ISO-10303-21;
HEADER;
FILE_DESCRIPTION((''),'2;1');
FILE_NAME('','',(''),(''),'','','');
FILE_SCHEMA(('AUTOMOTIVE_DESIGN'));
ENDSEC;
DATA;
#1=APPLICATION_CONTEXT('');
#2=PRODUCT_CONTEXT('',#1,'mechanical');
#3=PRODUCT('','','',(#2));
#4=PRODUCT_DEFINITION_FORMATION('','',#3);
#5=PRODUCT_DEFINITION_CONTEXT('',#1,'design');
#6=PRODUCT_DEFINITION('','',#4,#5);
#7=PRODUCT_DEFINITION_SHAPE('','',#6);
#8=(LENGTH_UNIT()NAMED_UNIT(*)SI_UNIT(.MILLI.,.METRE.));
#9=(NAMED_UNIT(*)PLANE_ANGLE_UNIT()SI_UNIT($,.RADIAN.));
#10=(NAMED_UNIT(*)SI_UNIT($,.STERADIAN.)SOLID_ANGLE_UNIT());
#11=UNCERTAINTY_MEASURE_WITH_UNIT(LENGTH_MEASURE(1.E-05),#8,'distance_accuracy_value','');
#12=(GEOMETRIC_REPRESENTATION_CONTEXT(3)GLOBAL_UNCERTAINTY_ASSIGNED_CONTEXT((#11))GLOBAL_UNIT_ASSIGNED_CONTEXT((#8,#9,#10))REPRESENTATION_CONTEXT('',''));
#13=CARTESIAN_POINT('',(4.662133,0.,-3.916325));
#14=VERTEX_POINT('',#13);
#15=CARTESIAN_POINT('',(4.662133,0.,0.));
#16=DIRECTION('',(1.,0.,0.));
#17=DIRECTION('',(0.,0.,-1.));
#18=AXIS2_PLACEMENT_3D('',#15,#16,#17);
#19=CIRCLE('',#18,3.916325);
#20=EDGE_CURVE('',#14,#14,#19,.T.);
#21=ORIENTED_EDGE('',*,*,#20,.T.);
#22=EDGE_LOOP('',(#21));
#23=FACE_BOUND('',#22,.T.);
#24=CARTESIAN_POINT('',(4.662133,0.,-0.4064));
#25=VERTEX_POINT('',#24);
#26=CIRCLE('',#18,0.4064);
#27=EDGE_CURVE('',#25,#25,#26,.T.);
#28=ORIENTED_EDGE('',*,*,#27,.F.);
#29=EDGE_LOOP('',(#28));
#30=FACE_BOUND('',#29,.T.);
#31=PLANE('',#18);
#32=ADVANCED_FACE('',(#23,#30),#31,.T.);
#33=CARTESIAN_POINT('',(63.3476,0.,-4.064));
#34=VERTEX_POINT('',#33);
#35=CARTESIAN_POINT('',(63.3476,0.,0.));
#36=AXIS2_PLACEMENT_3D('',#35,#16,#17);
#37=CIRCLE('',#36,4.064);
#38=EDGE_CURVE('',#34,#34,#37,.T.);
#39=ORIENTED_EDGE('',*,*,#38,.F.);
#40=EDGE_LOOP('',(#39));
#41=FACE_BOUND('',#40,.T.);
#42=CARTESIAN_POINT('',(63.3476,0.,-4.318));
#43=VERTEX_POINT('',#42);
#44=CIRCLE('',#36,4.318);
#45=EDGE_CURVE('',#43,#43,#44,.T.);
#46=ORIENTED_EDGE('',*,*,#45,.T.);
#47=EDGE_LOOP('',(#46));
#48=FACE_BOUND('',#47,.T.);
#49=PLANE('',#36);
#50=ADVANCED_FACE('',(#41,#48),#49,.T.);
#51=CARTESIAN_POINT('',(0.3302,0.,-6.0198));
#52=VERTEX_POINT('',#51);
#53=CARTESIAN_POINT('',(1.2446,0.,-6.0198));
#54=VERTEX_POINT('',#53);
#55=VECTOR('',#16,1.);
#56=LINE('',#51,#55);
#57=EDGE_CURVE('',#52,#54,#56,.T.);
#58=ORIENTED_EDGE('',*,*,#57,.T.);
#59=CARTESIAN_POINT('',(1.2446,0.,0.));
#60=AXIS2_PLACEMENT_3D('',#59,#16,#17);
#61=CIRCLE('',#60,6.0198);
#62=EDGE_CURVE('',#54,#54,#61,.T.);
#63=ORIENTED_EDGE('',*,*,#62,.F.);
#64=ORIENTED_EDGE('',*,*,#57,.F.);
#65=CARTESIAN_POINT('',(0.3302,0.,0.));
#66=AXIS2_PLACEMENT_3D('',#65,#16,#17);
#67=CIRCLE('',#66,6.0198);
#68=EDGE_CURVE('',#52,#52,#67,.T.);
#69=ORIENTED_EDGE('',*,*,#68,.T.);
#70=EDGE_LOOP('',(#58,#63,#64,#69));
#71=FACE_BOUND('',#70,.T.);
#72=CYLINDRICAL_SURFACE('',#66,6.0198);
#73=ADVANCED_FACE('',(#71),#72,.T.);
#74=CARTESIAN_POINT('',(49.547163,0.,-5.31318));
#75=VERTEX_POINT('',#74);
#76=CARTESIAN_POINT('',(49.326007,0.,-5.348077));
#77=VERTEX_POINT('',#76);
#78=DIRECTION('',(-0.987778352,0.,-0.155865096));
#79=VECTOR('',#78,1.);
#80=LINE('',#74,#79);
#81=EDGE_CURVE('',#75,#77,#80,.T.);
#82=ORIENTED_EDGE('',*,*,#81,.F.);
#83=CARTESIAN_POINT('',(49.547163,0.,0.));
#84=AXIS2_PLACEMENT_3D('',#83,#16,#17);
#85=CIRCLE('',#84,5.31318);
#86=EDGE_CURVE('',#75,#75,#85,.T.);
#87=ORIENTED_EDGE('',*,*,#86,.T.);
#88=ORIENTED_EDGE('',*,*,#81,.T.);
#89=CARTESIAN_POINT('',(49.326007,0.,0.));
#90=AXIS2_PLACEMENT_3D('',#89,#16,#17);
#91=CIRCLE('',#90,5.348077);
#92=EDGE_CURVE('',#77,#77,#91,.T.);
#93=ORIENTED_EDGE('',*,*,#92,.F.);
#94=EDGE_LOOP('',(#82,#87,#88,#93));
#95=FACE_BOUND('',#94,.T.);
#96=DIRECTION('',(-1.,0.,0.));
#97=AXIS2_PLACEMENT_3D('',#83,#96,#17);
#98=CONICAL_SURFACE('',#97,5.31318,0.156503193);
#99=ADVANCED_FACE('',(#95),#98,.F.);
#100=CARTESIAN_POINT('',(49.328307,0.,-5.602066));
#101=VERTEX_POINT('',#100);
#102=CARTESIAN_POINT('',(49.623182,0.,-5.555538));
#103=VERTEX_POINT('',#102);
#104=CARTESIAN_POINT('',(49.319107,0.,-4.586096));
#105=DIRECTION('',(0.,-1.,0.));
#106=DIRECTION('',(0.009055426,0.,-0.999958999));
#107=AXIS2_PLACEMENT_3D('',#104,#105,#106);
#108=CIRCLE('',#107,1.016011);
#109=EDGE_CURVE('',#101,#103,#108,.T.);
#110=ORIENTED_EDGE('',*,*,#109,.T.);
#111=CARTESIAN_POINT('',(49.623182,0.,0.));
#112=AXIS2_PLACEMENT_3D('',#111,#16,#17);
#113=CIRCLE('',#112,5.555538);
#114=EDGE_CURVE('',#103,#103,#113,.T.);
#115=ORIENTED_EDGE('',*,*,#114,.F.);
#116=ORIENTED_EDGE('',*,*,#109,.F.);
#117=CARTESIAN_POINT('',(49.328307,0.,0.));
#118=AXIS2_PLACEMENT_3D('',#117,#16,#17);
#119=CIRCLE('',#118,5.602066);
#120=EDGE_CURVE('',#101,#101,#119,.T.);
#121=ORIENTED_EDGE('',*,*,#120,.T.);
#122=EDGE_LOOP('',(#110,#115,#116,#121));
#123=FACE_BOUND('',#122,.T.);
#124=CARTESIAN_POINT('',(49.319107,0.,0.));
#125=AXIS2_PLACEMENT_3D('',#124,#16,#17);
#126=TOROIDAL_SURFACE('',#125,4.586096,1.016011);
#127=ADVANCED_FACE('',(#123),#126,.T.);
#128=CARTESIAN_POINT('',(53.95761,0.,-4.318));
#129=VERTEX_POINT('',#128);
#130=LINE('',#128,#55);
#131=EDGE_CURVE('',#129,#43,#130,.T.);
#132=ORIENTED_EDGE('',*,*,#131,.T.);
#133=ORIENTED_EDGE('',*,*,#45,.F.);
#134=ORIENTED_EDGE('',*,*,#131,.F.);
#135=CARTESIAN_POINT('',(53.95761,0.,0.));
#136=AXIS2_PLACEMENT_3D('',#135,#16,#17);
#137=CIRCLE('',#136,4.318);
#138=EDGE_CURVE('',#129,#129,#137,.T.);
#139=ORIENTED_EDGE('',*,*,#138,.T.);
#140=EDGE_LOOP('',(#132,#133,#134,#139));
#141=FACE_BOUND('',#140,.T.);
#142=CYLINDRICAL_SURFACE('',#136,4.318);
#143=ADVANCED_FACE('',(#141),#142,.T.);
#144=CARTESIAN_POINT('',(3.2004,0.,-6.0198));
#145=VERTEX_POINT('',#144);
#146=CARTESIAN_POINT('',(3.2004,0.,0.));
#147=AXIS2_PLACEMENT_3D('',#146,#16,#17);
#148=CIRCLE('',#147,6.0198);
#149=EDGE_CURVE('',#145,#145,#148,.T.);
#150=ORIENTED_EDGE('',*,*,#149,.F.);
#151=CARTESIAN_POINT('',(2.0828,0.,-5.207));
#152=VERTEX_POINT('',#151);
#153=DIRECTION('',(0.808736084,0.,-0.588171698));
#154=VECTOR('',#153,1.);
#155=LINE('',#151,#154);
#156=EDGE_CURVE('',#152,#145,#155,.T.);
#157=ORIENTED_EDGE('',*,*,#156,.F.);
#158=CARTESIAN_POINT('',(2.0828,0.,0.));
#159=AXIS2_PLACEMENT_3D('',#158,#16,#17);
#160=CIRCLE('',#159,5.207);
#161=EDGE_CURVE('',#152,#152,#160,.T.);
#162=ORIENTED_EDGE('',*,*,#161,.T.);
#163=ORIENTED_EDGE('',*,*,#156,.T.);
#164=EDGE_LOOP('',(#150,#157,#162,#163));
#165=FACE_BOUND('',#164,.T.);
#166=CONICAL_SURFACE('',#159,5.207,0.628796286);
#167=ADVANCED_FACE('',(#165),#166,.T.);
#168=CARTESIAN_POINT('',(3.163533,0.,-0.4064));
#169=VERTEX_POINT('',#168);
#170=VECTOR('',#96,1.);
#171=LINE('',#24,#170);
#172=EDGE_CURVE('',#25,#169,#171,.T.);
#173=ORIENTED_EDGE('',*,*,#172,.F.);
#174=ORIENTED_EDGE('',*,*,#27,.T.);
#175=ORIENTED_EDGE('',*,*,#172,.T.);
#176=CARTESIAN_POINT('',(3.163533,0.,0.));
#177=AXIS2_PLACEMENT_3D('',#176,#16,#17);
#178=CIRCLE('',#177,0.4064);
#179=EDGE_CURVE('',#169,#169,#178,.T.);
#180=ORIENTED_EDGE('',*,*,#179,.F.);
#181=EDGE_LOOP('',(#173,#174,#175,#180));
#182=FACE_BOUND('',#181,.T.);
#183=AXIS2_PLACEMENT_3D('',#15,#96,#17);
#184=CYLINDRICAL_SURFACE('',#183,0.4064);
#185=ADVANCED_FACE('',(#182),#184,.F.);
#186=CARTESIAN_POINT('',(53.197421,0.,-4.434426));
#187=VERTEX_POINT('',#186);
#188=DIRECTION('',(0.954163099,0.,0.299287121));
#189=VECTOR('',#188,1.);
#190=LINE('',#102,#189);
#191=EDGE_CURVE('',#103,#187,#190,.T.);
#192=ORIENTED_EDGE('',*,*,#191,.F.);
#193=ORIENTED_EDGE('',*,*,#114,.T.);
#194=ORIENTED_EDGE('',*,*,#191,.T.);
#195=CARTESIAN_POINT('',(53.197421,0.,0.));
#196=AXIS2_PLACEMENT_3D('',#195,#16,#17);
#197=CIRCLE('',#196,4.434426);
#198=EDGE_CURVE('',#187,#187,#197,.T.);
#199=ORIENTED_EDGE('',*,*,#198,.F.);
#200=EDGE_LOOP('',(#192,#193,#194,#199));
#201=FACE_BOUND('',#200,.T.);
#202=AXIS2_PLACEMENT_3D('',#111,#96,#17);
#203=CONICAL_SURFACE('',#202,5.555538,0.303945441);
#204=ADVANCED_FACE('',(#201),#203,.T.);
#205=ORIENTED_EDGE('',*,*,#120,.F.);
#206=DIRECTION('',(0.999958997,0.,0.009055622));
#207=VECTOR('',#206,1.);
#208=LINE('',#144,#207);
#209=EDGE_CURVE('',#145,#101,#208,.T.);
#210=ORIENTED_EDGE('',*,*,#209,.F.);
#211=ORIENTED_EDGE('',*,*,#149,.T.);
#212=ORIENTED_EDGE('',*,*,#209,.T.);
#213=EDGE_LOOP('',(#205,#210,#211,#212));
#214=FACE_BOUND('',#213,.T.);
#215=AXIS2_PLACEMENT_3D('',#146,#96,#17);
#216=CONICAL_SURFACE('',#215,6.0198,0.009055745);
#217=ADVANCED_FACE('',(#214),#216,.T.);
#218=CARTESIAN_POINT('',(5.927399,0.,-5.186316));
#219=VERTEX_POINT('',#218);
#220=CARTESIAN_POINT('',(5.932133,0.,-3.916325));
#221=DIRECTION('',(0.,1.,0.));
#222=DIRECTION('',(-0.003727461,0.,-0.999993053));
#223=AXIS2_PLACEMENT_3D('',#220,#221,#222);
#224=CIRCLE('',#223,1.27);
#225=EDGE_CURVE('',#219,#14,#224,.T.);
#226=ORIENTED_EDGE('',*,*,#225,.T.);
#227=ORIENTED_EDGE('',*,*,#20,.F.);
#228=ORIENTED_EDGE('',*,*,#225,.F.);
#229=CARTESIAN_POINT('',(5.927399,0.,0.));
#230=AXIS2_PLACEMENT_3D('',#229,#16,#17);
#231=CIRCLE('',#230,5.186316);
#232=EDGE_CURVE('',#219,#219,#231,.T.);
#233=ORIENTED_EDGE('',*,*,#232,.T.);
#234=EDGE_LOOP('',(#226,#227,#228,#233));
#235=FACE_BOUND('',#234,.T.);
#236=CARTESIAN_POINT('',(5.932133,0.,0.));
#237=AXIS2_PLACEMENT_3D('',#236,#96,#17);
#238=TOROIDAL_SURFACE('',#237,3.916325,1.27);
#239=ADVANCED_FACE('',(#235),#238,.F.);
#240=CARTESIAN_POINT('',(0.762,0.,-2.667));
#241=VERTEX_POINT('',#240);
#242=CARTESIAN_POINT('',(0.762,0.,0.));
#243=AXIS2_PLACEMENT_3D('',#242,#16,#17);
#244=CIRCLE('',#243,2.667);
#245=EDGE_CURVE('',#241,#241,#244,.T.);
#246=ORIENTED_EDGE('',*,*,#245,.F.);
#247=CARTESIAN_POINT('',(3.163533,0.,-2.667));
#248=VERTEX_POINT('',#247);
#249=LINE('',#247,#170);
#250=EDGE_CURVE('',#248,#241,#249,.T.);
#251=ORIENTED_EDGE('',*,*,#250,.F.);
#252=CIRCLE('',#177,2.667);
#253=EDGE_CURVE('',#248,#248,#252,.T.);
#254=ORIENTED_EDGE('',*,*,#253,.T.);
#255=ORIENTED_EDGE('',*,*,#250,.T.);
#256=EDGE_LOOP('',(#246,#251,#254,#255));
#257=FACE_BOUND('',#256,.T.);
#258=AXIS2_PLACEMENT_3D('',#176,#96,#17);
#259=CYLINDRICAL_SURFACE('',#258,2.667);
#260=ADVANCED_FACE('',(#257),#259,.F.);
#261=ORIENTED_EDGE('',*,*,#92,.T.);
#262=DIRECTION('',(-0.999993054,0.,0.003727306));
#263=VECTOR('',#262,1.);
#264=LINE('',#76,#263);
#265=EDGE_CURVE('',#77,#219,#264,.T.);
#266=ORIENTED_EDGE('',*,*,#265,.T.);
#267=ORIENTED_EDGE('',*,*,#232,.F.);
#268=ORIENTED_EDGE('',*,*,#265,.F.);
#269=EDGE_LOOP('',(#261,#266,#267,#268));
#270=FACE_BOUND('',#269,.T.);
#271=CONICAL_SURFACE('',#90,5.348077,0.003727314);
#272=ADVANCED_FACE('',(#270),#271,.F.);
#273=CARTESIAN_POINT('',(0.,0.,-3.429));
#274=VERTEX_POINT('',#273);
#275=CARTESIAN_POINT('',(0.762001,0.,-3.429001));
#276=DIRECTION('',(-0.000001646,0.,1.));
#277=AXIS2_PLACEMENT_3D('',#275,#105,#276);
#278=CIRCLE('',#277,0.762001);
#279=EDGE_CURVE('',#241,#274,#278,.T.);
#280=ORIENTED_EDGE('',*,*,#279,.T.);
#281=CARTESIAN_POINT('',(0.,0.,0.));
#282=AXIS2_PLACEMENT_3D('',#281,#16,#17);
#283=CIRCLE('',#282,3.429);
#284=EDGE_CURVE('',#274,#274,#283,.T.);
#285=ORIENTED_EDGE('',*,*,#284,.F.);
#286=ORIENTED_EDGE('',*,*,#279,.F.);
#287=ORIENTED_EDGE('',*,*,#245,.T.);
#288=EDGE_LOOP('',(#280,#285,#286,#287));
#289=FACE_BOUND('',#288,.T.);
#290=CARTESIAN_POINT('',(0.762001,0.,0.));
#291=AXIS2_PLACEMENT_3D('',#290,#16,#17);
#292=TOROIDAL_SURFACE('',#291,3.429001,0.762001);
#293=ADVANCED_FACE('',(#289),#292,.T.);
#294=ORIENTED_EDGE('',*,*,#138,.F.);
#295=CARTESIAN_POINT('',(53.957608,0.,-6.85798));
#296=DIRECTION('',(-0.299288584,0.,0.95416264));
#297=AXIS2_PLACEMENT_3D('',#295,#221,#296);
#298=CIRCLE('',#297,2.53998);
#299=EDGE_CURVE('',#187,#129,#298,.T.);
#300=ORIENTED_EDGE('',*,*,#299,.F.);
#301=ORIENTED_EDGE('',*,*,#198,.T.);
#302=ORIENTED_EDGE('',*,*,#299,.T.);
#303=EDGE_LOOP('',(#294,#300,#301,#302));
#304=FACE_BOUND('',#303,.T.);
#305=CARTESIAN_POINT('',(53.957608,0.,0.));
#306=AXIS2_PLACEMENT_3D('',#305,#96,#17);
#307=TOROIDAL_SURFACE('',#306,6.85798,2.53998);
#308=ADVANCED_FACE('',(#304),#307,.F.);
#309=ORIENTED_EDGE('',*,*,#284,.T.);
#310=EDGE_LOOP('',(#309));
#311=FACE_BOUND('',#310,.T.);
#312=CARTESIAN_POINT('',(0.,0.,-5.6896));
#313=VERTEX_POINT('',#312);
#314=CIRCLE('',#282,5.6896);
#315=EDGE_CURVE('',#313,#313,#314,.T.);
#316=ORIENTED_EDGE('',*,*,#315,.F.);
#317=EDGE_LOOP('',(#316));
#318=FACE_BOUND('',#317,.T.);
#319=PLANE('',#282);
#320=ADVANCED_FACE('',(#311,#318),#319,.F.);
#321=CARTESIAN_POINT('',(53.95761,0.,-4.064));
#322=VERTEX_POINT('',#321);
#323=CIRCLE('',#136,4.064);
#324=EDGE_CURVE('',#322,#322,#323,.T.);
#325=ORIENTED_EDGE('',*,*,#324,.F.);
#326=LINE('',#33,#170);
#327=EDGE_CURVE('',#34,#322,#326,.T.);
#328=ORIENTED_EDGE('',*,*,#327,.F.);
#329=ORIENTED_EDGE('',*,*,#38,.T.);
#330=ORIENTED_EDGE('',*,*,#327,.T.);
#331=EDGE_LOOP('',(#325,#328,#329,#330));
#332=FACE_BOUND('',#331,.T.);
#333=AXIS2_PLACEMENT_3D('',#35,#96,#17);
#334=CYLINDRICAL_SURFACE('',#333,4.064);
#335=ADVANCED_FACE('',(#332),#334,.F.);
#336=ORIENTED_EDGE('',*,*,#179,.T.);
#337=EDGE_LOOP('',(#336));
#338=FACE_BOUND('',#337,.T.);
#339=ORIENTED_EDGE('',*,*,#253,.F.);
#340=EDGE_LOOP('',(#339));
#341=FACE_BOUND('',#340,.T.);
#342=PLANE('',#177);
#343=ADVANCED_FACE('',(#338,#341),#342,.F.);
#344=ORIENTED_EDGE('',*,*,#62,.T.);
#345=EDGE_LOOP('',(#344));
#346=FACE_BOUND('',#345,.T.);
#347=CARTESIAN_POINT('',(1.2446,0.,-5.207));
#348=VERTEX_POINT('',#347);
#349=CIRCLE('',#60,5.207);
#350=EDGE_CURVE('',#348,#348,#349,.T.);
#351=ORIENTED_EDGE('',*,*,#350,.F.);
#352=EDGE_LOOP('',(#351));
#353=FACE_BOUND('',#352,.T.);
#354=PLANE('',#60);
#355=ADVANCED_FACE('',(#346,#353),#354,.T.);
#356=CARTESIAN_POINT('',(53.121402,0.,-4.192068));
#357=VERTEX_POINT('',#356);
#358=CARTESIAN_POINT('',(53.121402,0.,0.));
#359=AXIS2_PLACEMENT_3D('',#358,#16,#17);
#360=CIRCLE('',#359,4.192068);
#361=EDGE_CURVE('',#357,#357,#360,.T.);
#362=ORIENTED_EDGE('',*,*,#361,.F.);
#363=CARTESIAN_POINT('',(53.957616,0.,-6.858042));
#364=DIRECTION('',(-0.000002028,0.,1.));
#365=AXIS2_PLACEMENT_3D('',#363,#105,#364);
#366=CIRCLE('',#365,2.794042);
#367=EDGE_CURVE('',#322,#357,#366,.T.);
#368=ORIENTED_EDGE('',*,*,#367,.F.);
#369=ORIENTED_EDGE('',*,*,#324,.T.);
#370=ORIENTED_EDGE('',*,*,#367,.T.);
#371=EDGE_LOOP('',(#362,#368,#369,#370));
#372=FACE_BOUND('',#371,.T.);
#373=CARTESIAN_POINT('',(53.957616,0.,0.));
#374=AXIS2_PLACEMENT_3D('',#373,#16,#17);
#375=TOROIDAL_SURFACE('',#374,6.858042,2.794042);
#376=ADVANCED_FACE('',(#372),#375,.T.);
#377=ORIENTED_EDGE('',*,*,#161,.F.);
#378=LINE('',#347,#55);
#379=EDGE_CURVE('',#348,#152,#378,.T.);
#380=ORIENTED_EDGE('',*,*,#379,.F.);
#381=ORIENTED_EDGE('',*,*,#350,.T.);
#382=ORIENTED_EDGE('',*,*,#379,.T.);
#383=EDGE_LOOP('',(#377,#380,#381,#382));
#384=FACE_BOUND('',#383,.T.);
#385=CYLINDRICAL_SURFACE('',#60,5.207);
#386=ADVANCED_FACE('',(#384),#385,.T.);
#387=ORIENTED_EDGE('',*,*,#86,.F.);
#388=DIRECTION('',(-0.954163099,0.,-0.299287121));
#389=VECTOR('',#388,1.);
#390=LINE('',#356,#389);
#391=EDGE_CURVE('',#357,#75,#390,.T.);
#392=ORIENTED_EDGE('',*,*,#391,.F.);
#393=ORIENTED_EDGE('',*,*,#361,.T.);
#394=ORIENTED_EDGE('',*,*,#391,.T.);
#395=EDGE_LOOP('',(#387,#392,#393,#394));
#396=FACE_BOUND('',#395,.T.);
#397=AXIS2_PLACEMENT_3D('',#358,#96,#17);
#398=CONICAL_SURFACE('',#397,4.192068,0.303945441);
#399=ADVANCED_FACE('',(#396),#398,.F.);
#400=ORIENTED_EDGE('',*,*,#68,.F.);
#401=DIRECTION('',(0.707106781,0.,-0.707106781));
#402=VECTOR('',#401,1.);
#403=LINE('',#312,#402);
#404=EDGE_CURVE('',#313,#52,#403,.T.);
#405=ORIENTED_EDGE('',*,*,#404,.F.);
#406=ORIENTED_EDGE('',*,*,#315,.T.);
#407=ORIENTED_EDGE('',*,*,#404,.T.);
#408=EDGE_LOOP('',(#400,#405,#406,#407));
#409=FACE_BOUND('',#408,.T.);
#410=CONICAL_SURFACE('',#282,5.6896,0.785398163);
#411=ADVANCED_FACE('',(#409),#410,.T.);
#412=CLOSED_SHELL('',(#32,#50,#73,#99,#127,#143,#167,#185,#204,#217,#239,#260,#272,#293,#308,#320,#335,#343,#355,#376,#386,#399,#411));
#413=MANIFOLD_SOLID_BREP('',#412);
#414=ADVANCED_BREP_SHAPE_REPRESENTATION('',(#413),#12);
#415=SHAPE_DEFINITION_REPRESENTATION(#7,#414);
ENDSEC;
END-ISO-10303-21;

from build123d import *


with BuildPart() as f1:
    # F0 (on Front) → F1 (revolve)
    with BuildSketch(Plane.XZ):
        with BuildLine():
            ThreePointArc((0.762, -2.667), (0.223185, -2.890185), (0, -3.429))
            Line((0, -3.429), (0, -5.6896))
            Line((0, -5.6896), (0.3302, -6.0198))
            Line((0.3302, -6.0198), (1.2446, -6.0198))
            Line((1.2446, -6.0198), (1.2446, -5.207))
            Line((1.2446, -5.207), (2.0828, -5.207))
            Line((2.0828, -5.207), (3.2004, -6.0198))
            Line((3.2004, -6.0198), (49.328307, -5.602066))
            ThreePointArc((49.328307, -5.602066), (49.477463, -5.589691), (49.623182, -5.555538))
            Line((49.623182, -5.555538), (53.197421, -4.434426))
            ThreePointArc((53.197421, -4.434426), (53.573084, -4.347275), (53.95761, -4.318))
            Line((53.95761, -4.318), (63.3476, -4.318))
            Line((63.3476, -4.318), (63.3476, -4.064))
            Line((63.3476, -4.064), (53.95761, -4.064))
            ThreePointArc((53.95761, -4.064), (53.534631, -4.096203), (53.121402, -4.192068))
            Line((53.121402, -4.192068), (49.547163, -5.31318))
            Line((49.547163, -5.31318), (49.326007, -5.348077))
            Line((49.326007, -5.348077), (5.927399, -5.186316))
            ThreePointArc((5.927399, -5.186316), (5.032435, -4.812675), (4.662133, -3.916325))
            Line((4.662133, -3.916325), (4.662133, -0.4064))
            Line((4.662133, -0.4064), (3.163533, -0.4064))
            Line((3.163533, -0.4064), (3.163533, -2.667))
            Line((3.163533, -2.667), (0.762, -2.667))
        make_face()
    revolve(axis=Axis((24.7396, 0, 0), (1, 0, 0)))


solid = f1.part
